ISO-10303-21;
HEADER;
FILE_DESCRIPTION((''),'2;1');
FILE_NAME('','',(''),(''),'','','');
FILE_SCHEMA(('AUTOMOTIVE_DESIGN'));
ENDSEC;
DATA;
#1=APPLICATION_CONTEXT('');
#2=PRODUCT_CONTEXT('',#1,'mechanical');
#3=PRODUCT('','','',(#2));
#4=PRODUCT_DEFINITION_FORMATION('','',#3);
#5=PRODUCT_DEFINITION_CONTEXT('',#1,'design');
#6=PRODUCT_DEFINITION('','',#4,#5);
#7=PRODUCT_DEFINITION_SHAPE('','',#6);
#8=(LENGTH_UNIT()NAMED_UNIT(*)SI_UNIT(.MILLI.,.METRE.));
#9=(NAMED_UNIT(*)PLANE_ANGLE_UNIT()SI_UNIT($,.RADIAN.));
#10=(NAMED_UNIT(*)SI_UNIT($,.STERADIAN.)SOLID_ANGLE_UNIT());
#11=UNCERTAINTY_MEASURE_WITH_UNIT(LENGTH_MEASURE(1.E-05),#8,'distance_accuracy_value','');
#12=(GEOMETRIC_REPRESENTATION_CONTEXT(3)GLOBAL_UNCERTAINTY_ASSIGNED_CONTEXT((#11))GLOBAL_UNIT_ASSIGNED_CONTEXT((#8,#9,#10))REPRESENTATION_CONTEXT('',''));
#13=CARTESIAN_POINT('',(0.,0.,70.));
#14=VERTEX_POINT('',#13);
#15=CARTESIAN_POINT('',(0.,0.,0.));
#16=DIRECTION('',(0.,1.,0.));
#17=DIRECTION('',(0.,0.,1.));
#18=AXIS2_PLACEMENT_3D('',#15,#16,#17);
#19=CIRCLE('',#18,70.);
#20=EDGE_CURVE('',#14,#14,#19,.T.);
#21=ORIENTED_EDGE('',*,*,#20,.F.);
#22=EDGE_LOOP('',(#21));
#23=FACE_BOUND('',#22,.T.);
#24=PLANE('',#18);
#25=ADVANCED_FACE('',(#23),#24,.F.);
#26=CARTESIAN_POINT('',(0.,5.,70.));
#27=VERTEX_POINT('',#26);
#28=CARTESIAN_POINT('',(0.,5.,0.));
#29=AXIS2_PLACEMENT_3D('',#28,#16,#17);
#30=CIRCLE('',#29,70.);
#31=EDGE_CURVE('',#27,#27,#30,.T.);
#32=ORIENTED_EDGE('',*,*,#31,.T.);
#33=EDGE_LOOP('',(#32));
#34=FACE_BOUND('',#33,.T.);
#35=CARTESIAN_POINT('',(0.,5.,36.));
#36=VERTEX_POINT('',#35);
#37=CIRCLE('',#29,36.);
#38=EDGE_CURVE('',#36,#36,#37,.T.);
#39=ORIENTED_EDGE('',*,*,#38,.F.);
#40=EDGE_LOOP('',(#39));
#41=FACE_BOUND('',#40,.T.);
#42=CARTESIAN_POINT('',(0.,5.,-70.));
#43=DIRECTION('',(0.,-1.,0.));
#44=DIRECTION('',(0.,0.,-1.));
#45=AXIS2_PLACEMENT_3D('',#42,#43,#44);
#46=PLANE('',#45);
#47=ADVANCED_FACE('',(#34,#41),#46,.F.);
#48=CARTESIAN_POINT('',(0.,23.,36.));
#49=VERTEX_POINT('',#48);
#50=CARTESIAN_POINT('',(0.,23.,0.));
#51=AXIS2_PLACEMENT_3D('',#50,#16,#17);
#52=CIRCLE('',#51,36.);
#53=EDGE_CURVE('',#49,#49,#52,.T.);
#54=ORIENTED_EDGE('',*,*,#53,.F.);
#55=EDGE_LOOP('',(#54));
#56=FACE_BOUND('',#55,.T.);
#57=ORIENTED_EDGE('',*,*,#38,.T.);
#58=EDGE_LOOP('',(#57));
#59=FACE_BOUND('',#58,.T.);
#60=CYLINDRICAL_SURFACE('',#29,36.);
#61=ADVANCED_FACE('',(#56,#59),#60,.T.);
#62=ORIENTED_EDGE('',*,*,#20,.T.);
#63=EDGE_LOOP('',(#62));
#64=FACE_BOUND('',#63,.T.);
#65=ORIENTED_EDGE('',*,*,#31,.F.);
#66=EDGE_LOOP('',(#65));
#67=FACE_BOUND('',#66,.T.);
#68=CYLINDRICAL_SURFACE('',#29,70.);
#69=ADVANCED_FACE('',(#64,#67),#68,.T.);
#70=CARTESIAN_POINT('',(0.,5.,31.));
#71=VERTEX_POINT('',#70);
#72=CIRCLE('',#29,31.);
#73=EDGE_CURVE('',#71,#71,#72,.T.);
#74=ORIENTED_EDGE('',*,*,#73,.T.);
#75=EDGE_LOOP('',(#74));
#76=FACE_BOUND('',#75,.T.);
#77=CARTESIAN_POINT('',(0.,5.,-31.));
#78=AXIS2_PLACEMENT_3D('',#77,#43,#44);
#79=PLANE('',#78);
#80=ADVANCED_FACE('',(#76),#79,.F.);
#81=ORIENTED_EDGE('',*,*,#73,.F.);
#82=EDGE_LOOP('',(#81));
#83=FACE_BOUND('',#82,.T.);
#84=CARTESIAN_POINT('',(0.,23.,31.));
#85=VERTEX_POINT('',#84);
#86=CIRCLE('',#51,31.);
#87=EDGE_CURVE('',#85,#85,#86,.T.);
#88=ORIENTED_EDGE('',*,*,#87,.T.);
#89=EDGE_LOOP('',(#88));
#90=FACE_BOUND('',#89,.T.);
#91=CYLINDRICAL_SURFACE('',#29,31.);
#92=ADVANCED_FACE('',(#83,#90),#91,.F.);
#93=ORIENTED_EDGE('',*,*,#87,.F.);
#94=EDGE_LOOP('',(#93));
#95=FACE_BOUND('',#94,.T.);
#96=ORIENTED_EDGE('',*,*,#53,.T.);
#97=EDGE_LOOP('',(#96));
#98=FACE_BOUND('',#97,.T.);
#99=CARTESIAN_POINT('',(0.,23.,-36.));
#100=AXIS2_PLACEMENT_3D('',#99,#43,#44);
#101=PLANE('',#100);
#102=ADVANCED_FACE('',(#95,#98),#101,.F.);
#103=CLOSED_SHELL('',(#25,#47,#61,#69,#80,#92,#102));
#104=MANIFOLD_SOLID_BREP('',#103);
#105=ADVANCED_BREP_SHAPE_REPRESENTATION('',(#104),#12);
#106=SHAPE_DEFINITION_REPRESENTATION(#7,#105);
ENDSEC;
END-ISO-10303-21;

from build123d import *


with BuildPart() as part:
    # Sketch1 → Revolve1 (revolve)
    with BuildSketch(Plane(origin=(0, 0, 0), x_dir=(0, 0, -1), z_dir=(1, 0, 0)), mode=Mode.PRIVATE) as revolve1_sk:
        Polygon((0, 0), (70, 0), (70, 5), (36, 5), (36, 23), (31, 23), (31, 5), (0, 5), align=None)
    revolve(revolve1_sk.sketch.rotate(Axis((0, 5, 0), (0, -1, 0)), 180), axis=Axis((0, 5, 0), (0, -1, 0)))


solid = part.part
